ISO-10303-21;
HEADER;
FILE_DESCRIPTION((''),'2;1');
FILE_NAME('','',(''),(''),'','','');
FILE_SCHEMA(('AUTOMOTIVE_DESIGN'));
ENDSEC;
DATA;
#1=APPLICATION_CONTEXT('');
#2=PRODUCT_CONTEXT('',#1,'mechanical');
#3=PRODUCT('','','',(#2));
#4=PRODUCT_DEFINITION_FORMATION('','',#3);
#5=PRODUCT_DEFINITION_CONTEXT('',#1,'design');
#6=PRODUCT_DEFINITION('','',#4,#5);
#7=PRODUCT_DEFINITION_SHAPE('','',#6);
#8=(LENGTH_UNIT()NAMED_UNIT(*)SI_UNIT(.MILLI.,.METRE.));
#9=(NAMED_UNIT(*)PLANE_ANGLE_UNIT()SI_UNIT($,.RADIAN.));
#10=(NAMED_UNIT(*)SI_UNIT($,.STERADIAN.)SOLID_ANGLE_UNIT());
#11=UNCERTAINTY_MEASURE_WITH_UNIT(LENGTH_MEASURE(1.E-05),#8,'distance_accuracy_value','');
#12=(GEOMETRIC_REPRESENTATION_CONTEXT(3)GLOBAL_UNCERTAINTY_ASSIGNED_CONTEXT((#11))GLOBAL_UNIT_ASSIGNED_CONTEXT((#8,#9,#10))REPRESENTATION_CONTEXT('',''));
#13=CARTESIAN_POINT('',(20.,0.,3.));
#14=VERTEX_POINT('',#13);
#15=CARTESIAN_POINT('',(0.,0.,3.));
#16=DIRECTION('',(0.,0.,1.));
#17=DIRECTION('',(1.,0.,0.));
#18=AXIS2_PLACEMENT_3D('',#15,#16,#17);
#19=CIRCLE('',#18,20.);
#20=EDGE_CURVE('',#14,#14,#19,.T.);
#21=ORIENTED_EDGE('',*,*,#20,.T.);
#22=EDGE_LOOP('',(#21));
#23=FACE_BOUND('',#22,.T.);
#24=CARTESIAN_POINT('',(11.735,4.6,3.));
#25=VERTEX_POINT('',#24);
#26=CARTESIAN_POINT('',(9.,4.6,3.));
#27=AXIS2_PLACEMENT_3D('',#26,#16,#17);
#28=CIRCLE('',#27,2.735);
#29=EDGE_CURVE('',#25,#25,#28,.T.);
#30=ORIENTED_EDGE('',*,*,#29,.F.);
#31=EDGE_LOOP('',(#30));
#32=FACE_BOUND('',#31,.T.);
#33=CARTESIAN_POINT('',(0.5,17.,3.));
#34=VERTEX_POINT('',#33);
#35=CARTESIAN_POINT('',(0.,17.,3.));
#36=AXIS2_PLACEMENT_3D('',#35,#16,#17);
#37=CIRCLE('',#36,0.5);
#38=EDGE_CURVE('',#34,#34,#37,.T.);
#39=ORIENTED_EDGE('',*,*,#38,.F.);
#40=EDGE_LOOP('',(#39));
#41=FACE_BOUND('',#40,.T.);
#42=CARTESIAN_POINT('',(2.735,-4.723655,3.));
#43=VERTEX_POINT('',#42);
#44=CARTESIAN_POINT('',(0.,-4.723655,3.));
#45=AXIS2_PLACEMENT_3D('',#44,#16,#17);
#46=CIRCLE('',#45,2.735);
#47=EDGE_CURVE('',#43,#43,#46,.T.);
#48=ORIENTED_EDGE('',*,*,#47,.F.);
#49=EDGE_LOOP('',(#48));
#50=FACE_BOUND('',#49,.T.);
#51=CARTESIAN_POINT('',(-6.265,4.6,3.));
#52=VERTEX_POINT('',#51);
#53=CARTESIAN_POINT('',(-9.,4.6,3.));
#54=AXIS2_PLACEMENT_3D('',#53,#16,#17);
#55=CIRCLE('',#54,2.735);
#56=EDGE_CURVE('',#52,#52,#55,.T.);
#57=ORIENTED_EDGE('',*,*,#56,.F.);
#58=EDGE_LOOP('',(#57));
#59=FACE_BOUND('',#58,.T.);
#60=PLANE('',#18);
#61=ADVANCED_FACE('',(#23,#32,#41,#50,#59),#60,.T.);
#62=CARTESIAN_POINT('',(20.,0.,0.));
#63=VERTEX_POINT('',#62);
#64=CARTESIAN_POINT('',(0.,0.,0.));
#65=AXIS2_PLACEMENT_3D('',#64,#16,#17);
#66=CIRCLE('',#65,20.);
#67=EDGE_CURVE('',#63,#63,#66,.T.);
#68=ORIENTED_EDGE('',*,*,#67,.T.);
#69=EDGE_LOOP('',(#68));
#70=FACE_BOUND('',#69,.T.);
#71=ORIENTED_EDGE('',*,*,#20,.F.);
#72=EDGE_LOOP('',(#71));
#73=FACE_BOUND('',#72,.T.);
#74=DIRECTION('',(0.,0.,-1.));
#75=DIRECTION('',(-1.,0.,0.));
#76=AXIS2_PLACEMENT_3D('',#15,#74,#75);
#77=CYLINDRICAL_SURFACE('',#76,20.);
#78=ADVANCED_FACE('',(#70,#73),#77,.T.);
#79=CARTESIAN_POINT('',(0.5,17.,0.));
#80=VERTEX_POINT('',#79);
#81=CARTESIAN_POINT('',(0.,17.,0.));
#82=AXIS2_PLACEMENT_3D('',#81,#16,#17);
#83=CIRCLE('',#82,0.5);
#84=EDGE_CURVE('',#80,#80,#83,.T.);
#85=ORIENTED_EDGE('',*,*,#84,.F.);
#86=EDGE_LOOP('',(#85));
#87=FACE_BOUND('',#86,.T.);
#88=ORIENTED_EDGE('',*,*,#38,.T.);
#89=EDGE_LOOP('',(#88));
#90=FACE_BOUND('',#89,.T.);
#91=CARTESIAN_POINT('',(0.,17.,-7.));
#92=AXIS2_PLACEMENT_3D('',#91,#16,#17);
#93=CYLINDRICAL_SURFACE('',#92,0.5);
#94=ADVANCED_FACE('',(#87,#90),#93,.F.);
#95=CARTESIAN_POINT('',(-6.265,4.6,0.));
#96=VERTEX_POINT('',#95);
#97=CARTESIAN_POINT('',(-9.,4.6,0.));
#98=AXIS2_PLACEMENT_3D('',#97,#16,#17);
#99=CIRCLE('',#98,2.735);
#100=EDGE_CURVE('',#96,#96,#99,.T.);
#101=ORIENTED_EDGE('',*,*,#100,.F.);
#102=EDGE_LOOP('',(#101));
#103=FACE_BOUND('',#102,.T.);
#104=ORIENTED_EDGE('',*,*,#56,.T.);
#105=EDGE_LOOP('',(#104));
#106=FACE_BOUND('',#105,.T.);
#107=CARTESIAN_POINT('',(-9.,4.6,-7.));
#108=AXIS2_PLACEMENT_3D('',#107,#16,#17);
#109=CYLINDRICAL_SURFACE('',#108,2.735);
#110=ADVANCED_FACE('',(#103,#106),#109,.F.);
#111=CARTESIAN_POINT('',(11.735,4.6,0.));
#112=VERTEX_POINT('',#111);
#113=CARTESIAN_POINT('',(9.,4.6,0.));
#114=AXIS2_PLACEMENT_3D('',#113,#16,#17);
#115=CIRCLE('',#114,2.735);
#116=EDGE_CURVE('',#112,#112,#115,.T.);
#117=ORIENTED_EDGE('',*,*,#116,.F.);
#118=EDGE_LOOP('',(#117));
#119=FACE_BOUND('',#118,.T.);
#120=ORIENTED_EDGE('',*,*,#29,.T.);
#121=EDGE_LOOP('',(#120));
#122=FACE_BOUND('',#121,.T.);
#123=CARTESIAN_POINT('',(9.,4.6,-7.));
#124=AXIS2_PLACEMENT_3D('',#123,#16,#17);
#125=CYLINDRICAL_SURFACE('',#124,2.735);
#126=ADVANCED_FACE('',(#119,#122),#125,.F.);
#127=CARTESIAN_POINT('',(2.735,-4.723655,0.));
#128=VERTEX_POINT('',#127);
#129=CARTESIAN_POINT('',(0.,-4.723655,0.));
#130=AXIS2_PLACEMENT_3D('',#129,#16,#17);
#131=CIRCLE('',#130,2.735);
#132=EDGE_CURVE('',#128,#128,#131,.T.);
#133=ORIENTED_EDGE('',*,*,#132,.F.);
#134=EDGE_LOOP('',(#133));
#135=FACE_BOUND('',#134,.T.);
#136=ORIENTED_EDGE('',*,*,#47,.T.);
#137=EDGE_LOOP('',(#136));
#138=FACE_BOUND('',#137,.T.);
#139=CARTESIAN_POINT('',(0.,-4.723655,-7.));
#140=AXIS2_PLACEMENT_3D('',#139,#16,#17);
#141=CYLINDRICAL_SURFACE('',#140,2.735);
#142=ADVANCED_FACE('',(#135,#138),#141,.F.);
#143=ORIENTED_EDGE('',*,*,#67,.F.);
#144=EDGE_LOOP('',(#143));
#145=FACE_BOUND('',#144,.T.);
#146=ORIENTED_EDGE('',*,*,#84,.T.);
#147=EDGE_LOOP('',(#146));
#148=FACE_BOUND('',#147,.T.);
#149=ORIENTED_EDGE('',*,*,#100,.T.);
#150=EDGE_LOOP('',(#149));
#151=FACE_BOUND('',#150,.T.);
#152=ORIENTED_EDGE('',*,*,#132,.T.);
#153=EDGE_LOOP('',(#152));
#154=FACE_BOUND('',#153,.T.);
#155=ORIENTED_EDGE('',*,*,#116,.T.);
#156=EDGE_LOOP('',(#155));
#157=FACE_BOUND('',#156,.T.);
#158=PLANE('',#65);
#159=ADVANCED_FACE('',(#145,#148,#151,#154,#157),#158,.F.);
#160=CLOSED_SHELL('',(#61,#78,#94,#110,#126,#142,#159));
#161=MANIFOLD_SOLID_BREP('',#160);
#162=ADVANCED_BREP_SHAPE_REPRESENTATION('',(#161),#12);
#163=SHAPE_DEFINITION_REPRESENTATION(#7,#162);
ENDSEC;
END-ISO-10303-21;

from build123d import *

# Parameters (mm, degrees)
SKETCH1_R           = 20
BOSS_EXTRUDE1_DEPTH = 3
SKETCH3_R           = 2.735
CUT_EXTRUDE1_DEPTH  = 10
SKETCH4_R           = 0.5
CUT_EXTRUDE2_DEPTH  = 10


with BuildPart() as part:
    # Sketch1 → Boss-Extrude1 (new body)
    with BuildSketch(Plane.XY):
        Circle(SKETCH1_R)
    extrude(amount=BOSS_EXTRUDE1_DEPTH)

    # Sketch3 → Cut-Extrude1 (cut)
    with BuildSketch(Plane.XY.offset(3)):
        with Locations((0, -4.723654738)):
            Circle(SKETCH3_R)
        with Locations((9, 4.6)):
            Circle(SKETCH3_R)
        with Locations((-9, 4.6)):
            Circle(SKETCH3_R)
    extrude(amount=-CUT_EXTRUDE1_DEPTH, mode=Mode.SUBTRACT)

    # Sketch4 → Cut-Extrude2 (cut)
    with BuildSketch(Plane.XY.offset(3)):
        with Locations((0, 17)):
            Circle(SKETCH4_R)
    extrude(amount=-CUT_EXTRUDE2_DEPTH, mode=Mode.SUBTRACT)


solid = part.part
